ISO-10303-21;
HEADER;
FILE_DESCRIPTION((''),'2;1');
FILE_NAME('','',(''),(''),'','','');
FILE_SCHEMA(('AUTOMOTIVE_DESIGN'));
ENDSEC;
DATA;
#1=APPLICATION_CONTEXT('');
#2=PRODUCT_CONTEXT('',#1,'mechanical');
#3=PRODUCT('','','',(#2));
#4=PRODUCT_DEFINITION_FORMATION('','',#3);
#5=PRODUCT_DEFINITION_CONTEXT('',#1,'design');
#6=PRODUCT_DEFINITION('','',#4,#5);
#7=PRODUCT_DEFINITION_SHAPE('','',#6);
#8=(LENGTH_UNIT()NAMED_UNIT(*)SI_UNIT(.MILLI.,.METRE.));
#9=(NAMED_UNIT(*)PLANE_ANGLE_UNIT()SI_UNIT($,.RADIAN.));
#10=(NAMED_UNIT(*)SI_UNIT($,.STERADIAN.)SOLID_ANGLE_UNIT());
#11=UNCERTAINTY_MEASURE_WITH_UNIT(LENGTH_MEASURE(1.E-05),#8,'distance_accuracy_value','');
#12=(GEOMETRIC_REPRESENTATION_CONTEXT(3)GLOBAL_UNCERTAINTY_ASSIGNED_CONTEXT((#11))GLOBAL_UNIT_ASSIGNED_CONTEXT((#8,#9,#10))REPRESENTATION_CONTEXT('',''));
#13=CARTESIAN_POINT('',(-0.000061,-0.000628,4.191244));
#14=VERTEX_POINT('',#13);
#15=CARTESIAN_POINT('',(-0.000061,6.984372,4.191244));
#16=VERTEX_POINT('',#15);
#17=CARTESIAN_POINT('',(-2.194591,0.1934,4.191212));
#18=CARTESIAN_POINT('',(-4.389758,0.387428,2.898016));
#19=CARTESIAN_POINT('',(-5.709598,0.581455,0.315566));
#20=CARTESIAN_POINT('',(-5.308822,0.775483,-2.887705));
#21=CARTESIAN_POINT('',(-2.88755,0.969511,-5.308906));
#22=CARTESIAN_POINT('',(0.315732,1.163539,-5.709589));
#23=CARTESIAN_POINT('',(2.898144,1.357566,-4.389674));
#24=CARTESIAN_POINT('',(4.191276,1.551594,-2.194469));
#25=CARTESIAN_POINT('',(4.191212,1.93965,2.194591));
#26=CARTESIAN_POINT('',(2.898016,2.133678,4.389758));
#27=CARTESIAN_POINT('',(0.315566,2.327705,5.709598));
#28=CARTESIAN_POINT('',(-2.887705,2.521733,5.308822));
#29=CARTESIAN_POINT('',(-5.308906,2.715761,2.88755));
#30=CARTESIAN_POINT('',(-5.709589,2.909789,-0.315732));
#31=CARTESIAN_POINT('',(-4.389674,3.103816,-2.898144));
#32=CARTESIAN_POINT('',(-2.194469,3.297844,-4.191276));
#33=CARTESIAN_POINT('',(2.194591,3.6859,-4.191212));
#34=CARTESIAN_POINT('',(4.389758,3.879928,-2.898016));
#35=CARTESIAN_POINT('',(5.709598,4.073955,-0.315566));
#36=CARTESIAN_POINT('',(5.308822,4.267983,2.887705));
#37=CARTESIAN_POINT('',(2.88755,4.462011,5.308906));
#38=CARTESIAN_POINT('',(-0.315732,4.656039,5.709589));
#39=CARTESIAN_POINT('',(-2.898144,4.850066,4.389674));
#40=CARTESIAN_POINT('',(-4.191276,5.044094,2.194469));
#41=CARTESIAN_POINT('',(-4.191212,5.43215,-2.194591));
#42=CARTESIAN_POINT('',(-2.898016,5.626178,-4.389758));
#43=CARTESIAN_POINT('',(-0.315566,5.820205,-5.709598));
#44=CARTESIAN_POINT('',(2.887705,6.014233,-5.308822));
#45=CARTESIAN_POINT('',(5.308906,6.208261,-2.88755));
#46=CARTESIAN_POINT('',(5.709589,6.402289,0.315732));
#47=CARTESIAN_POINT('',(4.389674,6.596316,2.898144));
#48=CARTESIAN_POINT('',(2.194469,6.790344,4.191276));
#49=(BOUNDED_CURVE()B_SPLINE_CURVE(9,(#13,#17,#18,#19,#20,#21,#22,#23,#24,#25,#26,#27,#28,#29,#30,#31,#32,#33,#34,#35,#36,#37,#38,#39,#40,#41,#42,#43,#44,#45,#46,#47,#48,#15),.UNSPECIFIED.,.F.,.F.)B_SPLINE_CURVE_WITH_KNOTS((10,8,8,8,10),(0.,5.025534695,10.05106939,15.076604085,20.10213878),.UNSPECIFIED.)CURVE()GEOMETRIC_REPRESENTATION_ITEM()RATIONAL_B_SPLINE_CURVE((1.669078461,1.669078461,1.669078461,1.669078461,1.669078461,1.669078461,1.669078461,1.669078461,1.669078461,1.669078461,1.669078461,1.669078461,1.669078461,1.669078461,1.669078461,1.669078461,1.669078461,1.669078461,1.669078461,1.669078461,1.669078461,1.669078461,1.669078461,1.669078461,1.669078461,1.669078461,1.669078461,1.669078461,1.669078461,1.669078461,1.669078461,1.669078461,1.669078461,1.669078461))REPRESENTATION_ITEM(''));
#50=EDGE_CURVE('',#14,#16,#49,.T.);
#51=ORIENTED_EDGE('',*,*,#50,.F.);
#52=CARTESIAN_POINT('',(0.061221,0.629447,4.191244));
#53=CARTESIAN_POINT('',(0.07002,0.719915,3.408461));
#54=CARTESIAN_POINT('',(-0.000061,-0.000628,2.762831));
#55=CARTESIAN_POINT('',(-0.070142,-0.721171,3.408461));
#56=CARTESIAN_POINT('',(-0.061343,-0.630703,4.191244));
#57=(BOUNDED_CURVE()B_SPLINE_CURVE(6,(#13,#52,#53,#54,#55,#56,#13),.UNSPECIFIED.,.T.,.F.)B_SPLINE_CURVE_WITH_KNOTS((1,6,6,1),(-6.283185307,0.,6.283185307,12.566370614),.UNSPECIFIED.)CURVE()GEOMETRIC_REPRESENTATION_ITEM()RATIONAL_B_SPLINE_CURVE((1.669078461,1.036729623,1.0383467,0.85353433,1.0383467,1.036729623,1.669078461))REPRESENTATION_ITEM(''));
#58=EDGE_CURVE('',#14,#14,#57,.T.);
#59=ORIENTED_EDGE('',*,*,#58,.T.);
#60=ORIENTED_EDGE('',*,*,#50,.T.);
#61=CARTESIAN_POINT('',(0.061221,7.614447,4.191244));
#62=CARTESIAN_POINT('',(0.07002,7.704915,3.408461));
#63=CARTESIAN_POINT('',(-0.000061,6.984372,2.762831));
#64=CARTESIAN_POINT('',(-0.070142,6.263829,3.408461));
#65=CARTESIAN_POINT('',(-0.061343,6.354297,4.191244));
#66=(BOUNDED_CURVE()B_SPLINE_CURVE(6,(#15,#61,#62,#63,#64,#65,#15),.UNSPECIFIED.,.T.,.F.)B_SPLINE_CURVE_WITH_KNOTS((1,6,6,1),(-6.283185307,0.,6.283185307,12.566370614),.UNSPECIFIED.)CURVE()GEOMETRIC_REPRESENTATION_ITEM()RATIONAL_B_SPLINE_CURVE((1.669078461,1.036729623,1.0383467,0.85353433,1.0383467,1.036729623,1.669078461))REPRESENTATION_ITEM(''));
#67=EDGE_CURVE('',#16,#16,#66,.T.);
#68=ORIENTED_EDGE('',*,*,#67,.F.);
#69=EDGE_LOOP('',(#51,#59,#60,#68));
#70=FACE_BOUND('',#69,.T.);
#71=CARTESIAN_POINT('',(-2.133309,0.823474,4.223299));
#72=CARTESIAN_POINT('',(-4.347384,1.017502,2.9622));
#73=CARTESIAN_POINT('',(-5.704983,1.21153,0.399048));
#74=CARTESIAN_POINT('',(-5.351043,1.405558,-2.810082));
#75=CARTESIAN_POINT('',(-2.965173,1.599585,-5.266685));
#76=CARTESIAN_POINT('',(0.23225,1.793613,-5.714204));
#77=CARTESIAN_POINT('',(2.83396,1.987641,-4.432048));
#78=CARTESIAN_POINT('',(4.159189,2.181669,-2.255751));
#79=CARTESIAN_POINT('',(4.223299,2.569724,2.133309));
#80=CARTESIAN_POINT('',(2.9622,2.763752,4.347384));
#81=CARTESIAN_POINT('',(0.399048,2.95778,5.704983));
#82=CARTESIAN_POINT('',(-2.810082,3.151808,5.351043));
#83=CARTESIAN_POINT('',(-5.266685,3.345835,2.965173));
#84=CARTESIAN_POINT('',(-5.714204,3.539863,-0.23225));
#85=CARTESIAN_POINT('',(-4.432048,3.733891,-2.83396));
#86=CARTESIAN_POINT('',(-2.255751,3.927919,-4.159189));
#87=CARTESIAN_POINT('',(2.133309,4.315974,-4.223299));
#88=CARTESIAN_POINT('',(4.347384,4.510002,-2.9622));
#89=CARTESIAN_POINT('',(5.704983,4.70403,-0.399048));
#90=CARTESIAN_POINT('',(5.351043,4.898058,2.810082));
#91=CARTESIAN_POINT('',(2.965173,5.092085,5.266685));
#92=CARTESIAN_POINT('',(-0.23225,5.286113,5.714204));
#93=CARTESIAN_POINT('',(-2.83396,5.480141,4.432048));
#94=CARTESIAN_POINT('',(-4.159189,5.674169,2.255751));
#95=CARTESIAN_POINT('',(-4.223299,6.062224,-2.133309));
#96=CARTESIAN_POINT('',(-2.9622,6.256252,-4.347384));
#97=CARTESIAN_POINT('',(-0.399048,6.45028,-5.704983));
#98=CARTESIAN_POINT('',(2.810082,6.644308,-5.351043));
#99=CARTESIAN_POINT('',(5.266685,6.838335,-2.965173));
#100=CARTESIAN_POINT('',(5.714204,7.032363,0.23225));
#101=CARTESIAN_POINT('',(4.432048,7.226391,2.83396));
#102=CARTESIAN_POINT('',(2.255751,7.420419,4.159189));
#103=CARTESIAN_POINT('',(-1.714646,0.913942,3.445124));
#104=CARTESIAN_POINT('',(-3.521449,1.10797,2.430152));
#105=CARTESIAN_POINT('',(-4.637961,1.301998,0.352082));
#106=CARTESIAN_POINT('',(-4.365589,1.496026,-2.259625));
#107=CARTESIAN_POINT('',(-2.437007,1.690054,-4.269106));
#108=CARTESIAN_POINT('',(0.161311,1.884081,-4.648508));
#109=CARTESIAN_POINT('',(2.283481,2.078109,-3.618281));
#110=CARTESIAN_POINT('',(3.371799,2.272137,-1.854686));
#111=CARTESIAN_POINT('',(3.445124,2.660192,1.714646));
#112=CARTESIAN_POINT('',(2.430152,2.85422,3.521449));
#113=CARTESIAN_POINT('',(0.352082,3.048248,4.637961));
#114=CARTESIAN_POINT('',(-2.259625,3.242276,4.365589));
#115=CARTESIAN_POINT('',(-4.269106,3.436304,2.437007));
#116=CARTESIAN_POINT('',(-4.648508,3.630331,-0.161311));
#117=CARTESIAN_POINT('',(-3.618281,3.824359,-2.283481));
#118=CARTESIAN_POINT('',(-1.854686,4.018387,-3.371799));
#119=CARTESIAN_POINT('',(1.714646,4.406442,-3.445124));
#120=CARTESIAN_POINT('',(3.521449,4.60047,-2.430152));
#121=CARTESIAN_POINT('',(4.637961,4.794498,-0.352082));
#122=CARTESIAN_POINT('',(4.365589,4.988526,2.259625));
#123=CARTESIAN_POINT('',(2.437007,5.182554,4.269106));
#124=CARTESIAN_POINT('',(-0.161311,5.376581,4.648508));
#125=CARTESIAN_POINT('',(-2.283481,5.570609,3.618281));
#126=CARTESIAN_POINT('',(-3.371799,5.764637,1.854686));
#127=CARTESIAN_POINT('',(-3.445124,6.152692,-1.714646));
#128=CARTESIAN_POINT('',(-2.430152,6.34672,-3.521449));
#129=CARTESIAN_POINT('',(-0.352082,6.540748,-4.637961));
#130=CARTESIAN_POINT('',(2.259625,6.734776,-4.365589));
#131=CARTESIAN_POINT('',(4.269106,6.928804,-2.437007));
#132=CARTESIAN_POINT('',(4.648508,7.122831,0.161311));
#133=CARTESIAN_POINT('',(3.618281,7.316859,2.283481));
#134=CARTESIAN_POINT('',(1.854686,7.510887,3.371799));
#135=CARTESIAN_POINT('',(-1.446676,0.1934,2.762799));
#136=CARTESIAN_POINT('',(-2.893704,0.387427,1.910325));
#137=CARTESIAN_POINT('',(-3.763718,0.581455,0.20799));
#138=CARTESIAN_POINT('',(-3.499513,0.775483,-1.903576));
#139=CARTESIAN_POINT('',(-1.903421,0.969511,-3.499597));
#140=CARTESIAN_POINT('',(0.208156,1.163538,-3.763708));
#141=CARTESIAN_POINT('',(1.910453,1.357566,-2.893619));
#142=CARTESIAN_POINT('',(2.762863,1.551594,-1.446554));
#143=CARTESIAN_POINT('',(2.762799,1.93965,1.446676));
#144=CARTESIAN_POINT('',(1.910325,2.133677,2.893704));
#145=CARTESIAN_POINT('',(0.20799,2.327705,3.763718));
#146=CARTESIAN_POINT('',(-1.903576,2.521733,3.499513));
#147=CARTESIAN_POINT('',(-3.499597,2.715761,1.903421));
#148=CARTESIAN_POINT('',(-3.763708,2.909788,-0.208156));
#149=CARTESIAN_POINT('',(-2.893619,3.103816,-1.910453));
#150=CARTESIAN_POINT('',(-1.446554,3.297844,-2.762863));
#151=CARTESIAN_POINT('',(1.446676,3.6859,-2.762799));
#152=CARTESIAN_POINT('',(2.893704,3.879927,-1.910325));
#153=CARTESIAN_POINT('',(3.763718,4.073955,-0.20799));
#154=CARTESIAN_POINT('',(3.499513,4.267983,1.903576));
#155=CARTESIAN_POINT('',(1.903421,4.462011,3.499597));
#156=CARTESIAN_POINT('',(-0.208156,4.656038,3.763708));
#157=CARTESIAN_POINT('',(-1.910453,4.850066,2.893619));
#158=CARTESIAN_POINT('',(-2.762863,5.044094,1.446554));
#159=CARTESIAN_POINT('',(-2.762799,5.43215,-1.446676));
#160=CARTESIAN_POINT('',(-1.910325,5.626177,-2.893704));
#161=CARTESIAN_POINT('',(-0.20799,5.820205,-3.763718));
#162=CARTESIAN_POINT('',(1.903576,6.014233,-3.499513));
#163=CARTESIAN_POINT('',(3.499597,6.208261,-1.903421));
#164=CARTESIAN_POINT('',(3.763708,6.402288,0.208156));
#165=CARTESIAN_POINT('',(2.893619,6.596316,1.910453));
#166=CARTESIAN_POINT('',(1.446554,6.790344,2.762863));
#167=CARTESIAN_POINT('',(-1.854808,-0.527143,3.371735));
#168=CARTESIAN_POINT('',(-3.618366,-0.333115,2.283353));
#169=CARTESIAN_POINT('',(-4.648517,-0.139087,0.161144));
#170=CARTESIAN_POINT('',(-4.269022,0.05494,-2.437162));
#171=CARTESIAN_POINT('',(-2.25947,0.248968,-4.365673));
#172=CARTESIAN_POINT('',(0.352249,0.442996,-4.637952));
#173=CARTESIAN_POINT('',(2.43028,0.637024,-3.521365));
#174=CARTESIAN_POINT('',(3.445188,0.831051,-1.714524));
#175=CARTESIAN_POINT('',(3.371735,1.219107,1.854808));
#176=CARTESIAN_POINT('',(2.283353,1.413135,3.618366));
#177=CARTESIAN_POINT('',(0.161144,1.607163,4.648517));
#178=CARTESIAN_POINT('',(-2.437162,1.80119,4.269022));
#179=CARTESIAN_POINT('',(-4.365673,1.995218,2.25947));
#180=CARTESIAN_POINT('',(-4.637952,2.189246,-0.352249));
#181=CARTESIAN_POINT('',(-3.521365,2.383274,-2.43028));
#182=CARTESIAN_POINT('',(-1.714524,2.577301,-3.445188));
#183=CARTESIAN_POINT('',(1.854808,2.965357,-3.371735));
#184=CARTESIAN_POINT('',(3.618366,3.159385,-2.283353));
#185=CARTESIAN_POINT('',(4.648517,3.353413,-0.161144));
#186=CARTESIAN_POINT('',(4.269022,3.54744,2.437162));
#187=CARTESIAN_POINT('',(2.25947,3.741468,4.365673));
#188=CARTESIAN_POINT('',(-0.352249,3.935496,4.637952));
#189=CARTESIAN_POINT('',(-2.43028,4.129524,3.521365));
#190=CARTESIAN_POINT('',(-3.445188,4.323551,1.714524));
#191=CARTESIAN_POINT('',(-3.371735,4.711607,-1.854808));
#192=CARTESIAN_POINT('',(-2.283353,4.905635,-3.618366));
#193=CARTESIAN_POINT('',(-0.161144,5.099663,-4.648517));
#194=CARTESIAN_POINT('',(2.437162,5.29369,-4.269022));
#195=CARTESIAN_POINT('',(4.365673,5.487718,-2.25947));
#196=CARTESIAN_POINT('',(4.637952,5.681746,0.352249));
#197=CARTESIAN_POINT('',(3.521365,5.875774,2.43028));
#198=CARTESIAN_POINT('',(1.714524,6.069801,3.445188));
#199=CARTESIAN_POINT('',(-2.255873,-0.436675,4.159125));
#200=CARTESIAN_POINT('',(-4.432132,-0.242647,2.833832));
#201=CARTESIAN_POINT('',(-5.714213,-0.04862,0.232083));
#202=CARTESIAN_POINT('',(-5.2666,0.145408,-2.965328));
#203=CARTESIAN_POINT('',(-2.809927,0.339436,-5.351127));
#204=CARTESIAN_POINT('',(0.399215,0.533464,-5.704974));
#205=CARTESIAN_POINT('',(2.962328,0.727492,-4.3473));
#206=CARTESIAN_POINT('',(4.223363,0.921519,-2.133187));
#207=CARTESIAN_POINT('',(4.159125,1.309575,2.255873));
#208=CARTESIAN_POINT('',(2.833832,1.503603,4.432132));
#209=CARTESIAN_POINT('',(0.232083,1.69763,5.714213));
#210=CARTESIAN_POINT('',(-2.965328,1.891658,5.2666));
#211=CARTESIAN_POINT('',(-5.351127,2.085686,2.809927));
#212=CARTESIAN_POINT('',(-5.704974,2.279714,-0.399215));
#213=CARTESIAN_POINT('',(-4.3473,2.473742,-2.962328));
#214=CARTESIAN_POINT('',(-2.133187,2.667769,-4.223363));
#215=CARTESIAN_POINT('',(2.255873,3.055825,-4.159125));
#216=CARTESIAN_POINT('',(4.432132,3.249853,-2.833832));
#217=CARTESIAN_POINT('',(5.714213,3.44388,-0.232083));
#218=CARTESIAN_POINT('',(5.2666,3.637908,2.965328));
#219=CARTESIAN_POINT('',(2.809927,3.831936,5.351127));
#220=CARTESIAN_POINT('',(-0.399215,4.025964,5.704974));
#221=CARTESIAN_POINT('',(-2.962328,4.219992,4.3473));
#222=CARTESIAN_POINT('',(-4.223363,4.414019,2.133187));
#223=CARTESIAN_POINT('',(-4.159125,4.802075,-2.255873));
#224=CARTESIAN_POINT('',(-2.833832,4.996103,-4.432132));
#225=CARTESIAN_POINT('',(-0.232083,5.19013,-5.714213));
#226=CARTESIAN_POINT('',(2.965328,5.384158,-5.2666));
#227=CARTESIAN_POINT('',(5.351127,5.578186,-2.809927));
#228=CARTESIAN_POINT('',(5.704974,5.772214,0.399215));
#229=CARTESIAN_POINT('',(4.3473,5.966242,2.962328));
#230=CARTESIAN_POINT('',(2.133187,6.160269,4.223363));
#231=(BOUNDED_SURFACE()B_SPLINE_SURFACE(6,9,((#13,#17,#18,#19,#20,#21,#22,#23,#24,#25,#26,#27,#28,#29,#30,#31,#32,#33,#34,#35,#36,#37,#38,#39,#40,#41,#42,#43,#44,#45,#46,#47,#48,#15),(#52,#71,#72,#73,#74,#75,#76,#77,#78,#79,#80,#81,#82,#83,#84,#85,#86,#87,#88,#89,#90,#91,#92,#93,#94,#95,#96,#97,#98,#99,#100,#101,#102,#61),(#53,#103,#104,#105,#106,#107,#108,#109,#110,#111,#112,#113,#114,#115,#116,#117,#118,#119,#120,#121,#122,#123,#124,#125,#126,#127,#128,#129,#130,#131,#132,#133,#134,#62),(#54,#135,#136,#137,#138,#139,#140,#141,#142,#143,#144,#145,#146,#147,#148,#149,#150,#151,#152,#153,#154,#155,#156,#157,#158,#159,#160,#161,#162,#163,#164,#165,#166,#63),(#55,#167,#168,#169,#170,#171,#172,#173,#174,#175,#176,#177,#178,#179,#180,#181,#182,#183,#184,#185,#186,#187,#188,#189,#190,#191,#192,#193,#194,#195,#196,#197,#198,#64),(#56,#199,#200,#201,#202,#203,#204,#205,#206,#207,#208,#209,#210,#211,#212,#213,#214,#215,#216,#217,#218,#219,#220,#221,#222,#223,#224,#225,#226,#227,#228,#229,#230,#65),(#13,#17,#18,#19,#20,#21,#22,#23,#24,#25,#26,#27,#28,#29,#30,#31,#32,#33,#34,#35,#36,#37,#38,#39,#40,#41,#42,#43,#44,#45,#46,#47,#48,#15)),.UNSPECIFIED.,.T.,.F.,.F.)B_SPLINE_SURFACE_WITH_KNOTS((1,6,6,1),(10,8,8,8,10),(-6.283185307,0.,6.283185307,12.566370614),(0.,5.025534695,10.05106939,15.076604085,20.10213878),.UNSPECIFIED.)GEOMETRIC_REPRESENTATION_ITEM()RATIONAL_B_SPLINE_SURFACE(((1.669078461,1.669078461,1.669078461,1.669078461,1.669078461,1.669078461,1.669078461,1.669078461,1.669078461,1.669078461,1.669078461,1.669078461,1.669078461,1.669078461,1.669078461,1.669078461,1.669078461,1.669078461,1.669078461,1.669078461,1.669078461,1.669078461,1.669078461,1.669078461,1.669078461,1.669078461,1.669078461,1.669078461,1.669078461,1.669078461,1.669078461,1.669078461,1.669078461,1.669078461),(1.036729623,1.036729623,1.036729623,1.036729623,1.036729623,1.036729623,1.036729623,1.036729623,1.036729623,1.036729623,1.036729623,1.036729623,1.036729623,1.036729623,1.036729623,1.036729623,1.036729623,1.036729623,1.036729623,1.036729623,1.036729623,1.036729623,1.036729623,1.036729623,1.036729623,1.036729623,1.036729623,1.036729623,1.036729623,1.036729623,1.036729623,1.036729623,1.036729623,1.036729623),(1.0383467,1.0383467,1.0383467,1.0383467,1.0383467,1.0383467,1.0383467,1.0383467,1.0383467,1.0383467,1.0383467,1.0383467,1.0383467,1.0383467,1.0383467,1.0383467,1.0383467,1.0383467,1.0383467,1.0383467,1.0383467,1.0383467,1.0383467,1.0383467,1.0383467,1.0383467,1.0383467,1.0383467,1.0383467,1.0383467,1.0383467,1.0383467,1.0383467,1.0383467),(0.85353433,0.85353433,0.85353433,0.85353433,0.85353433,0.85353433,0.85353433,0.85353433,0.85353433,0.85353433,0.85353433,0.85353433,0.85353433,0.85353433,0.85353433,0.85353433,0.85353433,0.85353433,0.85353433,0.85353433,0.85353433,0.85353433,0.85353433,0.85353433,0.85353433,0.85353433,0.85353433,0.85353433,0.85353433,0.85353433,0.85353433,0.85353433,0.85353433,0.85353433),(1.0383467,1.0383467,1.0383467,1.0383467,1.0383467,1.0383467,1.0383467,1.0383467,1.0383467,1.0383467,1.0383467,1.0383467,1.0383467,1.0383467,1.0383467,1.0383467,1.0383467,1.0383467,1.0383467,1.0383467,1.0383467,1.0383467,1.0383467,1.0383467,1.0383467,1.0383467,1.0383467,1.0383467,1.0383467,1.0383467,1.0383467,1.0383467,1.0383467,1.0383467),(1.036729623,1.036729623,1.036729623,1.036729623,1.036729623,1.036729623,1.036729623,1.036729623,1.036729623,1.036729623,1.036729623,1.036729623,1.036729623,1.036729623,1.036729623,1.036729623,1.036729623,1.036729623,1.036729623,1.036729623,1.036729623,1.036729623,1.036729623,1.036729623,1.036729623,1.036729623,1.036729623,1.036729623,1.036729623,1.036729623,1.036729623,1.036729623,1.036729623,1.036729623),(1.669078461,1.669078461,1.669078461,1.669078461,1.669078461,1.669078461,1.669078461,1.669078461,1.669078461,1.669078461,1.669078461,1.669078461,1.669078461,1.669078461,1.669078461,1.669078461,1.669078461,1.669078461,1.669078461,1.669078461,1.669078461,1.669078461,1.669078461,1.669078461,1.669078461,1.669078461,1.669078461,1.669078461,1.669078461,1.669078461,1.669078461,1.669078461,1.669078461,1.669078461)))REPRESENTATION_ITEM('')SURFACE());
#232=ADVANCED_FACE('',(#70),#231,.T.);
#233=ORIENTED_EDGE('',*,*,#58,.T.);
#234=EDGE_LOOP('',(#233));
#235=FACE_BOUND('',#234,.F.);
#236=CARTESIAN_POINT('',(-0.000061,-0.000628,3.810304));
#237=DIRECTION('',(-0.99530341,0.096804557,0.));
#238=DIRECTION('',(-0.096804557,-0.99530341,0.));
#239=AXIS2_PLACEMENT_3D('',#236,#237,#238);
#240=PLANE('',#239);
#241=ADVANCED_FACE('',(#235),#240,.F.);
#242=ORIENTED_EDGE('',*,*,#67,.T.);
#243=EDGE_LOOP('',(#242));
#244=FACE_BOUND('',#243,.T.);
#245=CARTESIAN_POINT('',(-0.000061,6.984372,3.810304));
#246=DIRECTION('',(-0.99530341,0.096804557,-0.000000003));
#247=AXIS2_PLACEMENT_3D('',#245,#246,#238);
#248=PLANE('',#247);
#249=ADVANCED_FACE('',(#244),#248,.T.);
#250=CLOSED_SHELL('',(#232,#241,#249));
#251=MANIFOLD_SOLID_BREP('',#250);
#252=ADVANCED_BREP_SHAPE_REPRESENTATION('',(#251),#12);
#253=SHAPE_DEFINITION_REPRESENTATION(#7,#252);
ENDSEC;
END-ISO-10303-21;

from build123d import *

# Parameters (mm, degrees)
BASE_SWEEP_PITCH  = 2.328333333
BASE_SWEEP_HEIGHT = 6.985
BASE_SWEEP_RADIUS = 3.81
SKETCH2_R         = 0.381


with BuildPart() as part:
    # Base-Sweep: sweep along a helix
    with BuildLine() as base_sweep_path:
        Helix(BASE_SWEEP_PITCH, BASE_SWEEP_HEIGHT, BASE_SWEEP_RADIUS, center=(0, 0, 0), direction=(0, 1, 0), lefthand=True)
    # Sketch2 → Base-Sweep (sweep)
    with BuildSketch(Plane(origin=(0, 0, 3.81), x_dir=(0, 0, 1), z_dir=(-0.9953034098543353, 0.09680455739443854, 0))):
        with Locations((0.000244134, -0.000631037)):
            Circle(SKETCH2_R)
    sweep(path=base_sweep_path.line, is_frenet=True)


solid = part.part
